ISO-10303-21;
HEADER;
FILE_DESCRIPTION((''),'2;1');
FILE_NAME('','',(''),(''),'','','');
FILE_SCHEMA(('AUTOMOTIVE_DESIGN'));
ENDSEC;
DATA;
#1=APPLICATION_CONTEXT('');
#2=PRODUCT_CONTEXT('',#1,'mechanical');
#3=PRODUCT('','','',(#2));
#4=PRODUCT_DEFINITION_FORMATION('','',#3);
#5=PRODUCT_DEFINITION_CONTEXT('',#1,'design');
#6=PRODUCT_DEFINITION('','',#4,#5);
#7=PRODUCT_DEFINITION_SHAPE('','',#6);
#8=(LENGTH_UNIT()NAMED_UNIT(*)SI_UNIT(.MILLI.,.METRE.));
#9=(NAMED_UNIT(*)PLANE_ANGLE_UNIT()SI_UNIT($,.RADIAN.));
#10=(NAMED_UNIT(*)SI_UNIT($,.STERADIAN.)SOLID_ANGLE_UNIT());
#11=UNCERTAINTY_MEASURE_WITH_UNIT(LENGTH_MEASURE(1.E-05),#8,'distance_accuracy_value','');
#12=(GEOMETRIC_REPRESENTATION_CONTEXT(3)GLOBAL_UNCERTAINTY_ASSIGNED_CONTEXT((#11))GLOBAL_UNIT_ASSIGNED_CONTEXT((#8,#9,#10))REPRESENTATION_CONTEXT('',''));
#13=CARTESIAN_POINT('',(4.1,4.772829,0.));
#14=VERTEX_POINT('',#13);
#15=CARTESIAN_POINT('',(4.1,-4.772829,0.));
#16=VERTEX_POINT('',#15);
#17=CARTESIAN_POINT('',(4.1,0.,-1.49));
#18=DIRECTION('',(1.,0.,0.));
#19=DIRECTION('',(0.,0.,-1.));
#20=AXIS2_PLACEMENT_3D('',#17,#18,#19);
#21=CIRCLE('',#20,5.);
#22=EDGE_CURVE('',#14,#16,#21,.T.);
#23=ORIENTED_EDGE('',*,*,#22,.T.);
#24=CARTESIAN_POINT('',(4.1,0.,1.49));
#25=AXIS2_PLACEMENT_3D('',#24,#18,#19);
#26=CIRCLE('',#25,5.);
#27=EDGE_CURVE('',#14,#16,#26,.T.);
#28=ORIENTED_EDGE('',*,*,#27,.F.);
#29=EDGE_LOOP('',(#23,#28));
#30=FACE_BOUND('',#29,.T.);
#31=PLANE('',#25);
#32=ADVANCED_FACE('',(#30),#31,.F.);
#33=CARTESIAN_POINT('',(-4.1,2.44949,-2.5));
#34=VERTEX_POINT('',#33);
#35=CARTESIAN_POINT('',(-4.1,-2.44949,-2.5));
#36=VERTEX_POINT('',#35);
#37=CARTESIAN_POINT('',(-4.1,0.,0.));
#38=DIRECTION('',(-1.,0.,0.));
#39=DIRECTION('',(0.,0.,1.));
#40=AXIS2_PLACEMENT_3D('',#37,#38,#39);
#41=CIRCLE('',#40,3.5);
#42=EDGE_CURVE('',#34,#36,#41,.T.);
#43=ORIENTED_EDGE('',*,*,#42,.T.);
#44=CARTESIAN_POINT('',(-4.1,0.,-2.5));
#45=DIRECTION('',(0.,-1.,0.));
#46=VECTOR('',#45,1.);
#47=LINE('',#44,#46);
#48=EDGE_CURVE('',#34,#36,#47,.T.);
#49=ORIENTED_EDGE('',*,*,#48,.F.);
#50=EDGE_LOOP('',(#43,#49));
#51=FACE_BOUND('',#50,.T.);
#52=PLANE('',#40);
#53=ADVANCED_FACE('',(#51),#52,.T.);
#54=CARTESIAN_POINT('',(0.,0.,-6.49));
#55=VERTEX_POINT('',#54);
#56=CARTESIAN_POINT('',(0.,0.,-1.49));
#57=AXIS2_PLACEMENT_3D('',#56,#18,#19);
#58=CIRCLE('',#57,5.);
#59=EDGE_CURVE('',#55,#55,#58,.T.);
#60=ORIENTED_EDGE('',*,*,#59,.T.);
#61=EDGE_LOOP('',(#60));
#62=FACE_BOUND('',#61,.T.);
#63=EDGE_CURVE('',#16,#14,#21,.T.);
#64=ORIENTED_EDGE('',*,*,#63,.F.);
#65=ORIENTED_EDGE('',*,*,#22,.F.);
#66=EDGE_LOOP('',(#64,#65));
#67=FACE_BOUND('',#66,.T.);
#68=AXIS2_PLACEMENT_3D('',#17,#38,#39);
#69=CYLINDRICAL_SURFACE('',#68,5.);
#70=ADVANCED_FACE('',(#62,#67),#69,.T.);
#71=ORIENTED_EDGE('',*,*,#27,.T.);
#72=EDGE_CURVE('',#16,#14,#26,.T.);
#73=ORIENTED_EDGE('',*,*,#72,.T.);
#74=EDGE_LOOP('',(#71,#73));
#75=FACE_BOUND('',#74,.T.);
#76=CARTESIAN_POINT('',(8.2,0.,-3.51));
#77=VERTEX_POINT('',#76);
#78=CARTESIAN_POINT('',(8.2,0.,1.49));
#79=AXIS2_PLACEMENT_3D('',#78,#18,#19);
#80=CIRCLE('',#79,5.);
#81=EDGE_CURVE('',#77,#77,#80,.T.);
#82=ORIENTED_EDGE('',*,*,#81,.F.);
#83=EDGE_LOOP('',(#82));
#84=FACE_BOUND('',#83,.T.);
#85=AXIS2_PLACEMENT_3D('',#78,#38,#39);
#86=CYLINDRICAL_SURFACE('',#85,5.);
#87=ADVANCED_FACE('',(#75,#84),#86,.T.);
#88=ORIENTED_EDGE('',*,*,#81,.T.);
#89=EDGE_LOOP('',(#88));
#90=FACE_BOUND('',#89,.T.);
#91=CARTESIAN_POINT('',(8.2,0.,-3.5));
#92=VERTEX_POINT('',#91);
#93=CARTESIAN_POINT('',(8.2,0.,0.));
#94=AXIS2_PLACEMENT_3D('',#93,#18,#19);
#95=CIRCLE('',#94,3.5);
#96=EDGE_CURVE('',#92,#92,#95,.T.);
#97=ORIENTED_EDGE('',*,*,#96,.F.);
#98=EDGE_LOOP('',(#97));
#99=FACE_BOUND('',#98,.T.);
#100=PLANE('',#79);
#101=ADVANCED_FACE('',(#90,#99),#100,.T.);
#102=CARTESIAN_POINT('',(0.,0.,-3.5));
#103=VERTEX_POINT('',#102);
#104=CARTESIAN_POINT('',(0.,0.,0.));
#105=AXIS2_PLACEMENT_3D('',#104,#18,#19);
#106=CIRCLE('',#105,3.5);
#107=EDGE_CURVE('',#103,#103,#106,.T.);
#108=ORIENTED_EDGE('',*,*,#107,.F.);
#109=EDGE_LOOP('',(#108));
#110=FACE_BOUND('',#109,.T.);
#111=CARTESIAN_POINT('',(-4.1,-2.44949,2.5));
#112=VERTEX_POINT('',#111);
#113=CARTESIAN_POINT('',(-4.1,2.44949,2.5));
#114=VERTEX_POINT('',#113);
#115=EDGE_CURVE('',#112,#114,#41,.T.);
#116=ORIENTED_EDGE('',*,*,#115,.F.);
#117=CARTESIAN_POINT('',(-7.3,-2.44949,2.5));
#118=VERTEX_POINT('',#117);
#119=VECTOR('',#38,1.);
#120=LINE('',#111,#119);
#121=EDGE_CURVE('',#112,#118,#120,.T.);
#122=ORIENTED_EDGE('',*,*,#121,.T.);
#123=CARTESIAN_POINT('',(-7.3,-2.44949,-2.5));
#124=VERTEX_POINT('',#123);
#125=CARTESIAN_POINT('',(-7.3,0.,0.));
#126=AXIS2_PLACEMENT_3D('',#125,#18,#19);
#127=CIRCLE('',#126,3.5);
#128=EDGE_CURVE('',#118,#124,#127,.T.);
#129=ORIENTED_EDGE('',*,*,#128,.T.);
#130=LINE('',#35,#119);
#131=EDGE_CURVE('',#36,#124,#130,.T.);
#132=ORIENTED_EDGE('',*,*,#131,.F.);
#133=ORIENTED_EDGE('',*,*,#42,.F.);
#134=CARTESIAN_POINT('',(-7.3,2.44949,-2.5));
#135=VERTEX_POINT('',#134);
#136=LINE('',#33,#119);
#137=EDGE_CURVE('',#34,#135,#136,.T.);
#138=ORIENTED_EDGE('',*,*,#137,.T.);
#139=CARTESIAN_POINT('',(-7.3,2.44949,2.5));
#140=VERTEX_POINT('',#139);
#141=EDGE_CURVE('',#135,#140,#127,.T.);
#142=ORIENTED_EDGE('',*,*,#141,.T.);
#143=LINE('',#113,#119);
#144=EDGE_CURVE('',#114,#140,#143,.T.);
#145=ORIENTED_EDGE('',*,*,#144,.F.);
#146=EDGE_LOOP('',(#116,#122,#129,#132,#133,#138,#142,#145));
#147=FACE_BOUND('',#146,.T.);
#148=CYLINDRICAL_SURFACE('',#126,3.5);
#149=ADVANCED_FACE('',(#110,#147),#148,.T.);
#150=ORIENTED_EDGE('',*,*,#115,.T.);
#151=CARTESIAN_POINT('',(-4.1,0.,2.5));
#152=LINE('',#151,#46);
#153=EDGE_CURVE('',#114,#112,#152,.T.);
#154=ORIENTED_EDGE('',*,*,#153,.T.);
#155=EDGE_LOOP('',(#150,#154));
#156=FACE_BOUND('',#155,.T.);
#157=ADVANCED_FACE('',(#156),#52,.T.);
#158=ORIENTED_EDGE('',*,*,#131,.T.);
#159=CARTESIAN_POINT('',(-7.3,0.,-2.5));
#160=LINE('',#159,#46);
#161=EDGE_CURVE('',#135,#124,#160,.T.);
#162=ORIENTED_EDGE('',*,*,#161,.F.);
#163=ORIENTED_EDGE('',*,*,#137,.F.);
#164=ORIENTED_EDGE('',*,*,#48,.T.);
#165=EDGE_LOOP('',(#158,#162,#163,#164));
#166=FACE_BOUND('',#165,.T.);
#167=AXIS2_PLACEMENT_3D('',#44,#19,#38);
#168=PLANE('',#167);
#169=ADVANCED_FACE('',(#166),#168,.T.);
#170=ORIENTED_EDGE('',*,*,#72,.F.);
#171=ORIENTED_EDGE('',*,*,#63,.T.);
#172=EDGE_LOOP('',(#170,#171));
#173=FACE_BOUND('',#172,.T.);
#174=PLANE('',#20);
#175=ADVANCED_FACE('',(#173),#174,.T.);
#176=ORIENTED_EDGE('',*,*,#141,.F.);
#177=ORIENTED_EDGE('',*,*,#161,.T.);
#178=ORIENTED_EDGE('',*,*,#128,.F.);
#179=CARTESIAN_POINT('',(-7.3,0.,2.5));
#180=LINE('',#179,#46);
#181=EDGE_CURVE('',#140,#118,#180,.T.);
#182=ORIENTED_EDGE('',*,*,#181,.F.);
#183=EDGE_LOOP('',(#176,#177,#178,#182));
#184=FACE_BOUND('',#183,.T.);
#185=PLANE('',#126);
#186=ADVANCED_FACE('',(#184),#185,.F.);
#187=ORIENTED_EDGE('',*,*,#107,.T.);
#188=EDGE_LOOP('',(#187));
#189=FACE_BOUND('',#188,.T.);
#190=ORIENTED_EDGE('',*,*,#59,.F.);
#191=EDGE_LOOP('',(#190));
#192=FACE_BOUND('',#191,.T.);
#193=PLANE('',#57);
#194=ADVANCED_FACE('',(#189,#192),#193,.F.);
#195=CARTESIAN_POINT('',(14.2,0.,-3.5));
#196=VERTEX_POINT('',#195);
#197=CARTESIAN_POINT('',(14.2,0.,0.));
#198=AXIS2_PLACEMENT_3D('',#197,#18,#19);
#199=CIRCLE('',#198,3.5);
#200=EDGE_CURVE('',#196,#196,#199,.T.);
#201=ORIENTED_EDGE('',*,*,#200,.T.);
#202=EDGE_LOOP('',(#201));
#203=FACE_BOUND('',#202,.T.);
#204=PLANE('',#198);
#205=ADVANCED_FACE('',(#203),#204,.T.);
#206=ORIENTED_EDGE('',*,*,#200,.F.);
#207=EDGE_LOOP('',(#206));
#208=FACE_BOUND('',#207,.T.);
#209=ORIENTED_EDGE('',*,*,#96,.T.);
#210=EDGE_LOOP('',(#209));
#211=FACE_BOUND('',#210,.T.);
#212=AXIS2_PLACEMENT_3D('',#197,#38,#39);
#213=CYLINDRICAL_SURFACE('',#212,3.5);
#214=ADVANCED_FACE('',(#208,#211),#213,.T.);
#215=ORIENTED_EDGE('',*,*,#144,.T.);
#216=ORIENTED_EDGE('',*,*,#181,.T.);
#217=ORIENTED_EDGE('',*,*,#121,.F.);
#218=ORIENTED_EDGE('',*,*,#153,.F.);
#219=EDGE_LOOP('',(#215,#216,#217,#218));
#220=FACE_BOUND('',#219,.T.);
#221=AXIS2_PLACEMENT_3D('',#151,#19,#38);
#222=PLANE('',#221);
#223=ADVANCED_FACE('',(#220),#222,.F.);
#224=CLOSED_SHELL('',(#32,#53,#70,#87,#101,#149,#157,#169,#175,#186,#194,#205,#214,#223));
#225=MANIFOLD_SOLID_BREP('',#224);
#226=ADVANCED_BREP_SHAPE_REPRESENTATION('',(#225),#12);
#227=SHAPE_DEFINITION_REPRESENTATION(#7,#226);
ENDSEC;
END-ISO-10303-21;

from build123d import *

# Parameters (mm, degrees)
SKETCH_1_R          = 3.5
EXTRUDE_1_DEPTH     = 7.3
SKETCH_2_R          = 5
EXTRUDE_2_DEPTH     = 4.1
SKETCH_3_R          = 5
EXTRUDE_3_DEPTH     = 4.1
EXTRUDE_START       = 6
SKETCH_4_R          = 3.5
EXTRUDE_4_DEPTH     = 6
CUT_EXTRUDE_START   = -3.2
CUT_EXTRUDE_1_DEPTH = 3.2


with BuildPart() as part:
    # 草图1 → 凸台-拉伸1 (new body)
    with BuildSketch(Plane(origin=(0, 0, 0), x_dir=(0, 0, -1), z_dir=(1, 0, 0))):
        Circle(SKETCH_1_R)
    extrude(amount=-EXTRUDE_1_DEPTH)

    # 草图2 → 凸台-拉伸2 (add)
    with BuildSketch(Plane(origin=(0, 0, 0), x_dir=(0, 0, -1), z_dir=(1, 0, 0))):
        with Locations((1.49, 0)):
            Circle(SKETCH_2_R)
    extrude(amount=EXTRUDE_2_DEPTH)

    # 草图3 → 凸台-拉伸3 (add)
    with BuildSketch(Plane(origin=(4.1, 0, 0), x_dir=(0, 0, -1), z_dir=(1, 0, 0))):
        with Locations(Location((-1.49, 0, 0), (0, 0, 287.337518018))):
            Circle(SKETCH_3_R)
    extrude(amount=EXTRUDE_3_DEPTH)

    # 草图4 → 凸台-拉伸4 (add)
    with BuildSketch(Plane(origin=(8.2, 0, 0), x_dir=(0, 0, -1), z_dir=(1, 0, 0)).offset(EXTRUDE_START)):
        Circle(SKETCH_4_R)
    extrude(amount=-EXTRUDE_4_DEPTH)

    # 草图7 → 切除-拉伸1 (cut)
    with BuildSketch(Plane.ZY.offset(7.3).offset(CUT_EXTRUDE_START)):
        with BuildLine():
            Line((-2.5, 0), (-3.5, 0))
            ThreePointArc((-3.5, 0), (-3.240370349, -1.322875656), (-2.5, -2.449489743))
            Line((-2.5, -2.449489743), (-2.5, 0))
        make_face()
        with BuildLine():
            ThreePointArc((-2.5, 2.449489743), (-3.240370349, 1.322875656), (-3.5, 0))
            Line((-3.5, 0), (-2.5, 0))
            Line((-2.5, 0), (-2.5, 2.449489743))
        make_face()
        with BuildLine():
            Line((2.5, 0), (2.5, -2.449489743))
            ThreePointArc((2.5, -2.449489743), (3.240370349, -1.322875656), (3.5, 0))
            Line((3.5, 0), (2.5, 0))
        make_face()
        with BuildLine():
            ThreePointArc((3.5, 0), (3.240370349, 1.322875656), (2.5, 2.449489743))
            Line((2.5, 2.449489743), (2.5, 0))
            Line((2.5, 0), (3.5, 0))
        make_face()
    extrude(amount=CUT_EXTRUDE_1_DEPTH, mode=Mode.SUBTRACT)


solid = part.part
